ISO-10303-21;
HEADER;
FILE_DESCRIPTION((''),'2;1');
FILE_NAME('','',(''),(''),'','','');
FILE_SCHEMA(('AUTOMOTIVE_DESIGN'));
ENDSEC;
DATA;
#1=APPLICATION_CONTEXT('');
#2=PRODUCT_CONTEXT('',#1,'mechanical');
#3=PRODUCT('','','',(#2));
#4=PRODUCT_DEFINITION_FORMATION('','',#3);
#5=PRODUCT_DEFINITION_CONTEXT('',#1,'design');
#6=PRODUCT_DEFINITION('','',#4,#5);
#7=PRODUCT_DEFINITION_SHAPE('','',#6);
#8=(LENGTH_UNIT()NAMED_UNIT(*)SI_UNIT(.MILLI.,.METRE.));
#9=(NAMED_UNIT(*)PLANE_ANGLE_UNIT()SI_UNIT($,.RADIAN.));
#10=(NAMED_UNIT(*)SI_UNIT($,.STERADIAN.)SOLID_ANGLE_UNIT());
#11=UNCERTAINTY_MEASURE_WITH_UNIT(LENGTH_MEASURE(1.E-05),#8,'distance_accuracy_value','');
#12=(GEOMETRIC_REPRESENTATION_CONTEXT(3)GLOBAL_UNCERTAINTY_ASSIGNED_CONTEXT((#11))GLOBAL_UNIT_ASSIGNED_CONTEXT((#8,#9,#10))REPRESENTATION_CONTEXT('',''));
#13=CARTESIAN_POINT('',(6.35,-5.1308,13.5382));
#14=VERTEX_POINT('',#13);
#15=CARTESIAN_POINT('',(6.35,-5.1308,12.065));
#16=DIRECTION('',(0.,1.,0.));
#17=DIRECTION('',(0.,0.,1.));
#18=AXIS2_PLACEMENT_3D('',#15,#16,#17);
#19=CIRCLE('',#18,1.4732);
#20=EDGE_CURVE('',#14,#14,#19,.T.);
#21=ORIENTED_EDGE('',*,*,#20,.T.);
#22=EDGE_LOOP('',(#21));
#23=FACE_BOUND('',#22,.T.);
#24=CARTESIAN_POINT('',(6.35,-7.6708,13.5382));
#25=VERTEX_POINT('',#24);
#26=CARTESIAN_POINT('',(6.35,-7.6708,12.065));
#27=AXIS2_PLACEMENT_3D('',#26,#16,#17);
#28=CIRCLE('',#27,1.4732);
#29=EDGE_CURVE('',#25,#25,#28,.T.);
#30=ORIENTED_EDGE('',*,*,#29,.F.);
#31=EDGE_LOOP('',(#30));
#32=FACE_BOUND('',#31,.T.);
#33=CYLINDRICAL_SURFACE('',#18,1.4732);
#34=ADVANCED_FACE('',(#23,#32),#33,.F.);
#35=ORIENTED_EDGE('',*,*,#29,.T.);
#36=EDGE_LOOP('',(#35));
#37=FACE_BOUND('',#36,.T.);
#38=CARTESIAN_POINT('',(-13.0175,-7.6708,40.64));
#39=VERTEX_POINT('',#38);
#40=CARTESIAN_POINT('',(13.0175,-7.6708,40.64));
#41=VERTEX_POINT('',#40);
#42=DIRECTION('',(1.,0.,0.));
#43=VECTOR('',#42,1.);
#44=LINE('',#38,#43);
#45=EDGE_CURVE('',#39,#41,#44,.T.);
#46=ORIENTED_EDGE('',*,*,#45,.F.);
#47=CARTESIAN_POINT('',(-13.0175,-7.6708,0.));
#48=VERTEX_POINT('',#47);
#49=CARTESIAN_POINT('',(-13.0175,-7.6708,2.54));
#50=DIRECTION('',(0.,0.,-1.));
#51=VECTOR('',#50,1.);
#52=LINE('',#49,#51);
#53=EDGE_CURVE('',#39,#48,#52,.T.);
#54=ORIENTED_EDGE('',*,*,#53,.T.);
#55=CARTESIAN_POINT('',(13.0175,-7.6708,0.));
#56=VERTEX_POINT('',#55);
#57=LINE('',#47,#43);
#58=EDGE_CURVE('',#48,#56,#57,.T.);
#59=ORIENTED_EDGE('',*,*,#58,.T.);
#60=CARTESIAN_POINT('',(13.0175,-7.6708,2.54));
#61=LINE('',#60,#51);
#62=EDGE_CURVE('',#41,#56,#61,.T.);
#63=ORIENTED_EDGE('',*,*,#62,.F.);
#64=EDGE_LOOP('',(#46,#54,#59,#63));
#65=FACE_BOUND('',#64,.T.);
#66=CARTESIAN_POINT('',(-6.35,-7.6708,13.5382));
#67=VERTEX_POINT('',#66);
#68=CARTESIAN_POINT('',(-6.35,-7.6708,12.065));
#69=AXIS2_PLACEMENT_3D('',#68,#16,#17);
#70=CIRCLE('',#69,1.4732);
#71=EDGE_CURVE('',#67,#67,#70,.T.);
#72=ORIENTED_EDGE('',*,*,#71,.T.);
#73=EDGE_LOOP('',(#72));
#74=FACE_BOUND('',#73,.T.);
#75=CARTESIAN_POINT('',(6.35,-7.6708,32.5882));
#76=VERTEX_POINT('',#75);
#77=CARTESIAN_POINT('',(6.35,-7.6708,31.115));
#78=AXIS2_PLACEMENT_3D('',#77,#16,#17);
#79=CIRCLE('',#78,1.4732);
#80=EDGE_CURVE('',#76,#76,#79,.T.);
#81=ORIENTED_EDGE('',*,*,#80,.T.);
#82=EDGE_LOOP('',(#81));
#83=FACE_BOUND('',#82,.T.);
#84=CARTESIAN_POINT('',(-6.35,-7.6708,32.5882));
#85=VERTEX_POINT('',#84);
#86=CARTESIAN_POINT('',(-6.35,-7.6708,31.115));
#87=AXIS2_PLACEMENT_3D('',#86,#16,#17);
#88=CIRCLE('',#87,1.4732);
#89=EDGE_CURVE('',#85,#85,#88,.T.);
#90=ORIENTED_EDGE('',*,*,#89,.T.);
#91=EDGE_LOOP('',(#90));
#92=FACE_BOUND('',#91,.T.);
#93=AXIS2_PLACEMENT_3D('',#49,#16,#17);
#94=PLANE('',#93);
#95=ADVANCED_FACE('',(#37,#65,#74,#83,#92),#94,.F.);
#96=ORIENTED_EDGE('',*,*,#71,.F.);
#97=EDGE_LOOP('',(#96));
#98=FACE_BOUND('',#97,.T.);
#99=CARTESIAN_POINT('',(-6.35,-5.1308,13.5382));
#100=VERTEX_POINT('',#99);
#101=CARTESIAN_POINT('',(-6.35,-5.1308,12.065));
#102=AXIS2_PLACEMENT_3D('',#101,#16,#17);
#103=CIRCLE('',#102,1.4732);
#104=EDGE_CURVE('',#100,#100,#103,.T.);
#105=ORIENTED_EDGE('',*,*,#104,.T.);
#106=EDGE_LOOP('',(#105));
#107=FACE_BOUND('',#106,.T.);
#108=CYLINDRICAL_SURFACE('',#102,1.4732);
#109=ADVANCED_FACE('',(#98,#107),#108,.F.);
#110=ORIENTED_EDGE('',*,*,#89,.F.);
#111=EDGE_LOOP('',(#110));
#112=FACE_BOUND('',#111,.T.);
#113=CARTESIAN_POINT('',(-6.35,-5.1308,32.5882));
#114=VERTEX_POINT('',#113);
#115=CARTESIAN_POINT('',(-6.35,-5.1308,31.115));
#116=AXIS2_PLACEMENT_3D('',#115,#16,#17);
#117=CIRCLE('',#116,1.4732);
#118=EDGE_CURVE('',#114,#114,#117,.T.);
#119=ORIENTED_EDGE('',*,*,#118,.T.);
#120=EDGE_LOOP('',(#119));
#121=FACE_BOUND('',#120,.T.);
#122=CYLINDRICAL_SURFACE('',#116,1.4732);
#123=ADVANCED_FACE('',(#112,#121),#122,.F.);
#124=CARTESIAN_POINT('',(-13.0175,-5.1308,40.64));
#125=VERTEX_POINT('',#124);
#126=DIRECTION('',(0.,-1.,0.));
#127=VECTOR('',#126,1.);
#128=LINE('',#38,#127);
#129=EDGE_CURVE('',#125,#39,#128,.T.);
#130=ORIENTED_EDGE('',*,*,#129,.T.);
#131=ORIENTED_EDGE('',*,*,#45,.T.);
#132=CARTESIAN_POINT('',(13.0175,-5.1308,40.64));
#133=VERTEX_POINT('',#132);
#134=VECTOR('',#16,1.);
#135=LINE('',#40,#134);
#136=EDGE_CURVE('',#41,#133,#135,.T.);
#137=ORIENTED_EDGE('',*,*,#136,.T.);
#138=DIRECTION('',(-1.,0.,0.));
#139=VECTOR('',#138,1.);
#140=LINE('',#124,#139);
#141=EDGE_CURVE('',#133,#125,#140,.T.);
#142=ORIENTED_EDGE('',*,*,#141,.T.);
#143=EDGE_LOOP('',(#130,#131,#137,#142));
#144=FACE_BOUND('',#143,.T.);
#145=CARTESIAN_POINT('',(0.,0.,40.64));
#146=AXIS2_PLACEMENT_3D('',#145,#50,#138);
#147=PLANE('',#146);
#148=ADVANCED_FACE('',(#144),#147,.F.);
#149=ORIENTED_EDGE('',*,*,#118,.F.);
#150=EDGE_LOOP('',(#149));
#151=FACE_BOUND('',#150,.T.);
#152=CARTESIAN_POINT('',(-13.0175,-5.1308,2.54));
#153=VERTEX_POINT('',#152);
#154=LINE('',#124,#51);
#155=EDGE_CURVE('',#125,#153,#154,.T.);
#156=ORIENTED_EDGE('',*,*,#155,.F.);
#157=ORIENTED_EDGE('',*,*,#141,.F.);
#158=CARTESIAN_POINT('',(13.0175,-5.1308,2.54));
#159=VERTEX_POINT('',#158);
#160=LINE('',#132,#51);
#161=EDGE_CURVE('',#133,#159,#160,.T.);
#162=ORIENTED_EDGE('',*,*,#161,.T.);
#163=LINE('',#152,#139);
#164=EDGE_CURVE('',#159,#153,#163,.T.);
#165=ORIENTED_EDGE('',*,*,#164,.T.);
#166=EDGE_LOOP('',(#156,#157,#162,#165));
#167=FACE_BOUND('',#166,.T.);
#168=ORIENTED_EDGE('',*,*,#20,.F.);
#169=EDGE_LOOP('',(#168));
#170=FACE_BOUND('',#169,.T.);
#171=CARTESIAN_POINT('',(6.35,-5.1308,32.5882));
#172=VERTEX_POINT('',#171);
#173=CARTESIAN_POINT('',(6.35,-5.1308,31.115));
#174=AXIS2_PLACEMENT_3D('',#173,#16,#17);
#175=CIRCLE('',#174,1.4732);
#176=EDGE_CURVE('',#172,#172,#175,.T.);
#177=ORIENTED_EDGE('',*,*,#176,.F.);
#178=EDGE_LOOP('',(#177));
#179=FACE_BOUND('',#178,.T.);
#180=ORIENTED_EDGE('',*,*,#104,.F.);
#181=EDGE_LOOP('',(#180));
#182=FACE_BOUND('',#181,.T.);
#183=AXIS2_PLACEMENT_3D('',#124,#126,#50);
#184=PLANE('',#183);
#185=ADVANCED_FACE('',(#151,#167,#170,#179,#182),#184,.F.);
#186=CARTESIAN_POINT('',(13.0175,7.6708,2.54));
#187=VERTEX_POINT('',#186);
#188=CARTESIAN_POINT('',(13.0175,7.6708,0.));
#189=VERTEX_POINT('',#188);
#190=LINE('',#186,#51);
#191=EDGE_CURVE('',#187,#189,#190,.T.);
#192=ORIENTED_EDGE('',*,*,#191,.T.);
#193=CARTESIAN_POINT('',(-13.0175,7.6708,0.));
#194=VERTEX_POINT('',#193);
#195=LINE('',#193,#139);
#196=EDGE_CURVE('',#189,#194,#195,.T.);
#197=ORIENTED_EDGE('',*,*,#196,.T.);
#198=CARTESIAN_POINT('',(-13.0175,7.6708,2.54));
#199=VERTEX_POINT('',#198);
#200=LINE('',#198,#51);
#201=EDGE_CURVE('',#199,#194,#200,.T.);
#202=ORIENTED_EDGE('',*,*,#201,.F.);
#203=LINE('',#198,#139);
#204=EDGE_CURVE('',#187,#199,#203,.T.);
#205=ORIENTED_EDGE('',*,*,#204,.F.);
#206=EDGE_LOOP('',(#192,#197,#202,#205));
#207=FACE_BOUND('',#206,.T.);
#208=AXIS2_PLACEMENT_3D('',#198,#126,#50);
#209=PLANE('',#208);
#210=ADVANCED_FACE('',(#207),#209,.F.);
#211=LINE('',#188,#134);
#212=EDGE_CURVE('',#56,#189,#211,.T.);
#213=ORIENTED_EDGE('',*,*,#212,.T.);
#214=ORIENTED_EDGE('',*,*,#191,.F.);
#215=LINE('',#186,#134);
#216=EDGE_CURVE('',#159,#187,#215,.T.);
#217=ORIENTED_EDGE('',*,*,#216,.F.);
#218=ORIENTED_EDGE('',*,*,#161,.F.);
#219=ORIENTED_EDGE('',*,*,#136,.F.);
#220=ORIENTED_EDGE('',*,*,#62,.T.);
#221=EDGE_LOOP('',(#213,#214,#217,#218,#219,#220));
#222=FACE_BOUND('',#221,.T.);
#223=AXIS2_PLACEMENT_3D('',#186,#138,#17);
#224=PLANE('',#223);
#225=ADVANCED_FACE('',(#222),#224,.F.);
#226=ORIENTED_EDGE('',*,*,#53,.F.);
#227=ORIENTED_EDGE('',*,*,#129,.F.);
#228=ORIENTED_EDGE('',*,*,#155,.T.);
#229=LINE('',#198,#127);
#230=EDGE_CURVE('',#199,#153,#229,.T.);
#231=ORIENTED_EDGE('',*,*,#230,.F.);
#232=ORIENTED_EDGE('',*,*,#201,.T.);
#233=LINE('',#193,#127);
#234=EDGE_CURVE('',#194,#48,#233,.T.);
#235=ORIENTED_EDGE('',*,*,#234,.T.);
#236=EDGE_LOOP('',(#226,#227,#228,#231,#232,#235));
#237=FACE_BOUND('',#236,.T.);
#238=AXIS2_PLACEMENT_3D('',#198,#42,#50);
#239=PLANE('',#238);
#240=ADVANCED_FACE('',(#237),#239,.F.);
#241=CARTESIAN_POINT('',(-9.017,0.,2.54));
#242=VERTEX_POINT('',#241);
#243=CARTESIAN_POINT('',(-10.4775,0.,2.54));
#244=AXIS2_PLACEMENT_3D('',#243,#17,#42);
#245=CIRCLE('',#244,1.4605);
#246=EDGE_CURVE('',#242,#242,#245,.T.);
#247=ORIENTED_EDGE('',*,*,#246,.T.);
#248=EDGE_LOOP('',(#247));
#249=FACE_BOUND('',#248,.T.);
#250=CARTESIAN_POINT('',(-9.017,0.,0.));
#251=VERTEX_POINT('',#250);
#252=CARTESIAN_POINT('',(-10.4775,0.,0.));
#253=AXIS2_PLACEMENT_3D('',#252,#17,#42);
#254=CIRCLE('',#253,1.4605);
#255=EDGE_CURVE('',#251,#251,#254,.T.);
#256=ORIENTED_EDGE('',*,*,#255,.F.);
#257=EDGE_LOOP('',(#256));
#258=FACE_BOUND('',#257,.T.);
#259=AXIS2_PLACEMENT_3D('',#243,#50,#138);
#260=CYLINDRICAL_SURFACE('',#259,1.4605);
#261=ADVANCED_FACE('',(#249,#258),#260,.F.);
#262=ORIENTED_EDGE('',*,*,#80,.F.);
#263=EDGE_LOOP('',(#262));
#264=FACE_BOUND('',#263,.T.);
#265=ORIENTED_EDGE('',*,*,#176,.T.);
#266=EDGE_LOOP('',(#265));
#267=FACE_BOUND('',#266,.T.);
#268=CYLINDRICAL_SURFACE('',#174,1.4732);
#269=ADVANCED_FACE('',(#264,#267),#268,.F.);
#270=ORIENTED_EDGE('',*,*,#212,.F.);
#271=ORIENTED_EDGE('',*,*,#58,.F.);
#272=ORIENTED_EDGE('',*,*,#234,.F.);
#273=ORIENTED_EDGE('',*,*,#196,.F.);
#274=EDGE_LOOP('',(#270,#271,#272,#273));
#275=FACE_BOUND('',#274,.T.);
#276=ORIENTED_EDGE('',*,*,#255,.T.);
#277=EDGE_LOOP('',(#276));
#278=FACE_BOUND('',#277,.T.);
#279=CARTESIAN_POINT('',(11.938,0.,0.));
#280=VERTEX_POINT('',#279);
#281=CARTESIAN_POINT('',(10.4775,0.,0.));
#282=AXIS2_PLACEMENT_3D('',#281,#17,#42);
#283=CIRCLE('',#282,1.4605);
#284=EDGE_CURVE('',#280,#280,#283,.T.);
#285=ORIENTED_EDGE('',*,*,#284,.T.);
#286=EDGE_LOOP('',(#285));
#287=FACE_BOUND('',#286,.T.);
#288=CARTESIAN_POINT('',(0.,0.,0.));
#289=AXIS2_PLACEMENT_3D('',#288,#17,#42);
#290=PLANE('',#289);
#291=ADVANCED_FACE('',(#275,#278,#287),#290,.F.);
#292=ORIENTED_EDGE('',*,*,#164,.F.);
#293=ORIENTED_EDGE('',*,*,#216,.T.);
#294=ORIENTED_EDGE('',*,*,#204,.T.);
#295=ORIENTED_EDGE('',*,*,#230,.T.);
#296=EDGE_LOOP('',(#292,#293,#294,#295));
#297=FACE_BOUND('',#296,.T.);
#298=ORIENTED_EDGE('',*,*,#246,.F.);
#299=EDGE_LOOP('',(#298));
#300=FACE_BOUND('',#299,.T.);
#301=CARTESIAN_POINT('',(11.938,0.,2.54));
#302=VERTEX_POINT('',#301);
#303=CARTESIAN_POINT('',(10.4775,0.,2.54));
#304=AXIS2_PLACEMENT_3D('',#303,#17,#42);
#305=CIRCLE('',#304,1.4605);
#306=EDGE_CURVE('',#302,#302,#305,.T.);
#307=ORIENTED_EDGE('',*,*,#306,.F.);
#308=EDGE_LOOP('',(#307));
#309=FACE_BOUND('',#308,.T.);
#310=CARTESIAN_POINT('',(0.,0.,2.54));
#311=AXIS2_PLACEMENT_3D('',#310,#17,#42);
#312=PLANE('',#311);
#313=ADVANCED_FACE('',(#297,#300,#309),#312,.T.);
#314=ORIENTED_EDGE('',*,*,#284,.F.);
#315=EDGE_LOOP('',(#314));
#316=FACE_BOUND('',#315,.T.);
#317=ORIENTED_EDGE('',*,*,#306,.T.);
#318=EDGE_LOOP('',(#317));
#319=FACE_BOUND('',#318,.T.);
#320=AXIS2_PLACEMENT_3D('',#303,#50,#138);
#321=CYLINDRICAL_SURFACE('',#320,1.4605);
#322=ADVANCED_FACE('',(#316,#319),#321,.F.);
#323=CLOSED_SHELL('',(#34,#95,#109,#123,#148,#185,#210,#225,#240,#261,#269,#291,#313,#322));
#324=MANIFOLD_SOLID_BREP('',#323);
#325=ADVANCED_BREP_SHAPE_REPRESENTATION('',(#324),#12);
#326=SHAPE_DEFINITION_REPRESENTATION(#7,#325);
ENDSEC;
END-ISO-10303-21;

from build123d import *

# Parameters (mm, degrees)
SKETCH2_W                 = 26.035
SKETCH2_H                 = 15.3416
SKETCH2_R                 = 1.4605
BOSS_EXTRUDE1_DEPTH       = 2.54
SKETCH3_W                 = 26.035
SKETCH3_H                 = 2.54
BOSS_EXTRUDE2_DEPTH       = 38.1
F_4_CLEARANCE_HOLE1_D     = 2.9464
F_4_CLEARANCE_HOLE1_DEPTH = 7.62
F_4_CLEARANCE_HOLE1_TIP   = 0.885187864


with BuildPart() as part:
    # Sketch2 → Boss-Extrude1 (new body)
    with BuildSketch(Plane.XY):
        Rectangle(SKETCH2_W, SKETCH2_H)
        with Locations((-10.4775, 0)):
            Circle(SKETCH2_R, mode=Mode.SUBTRACT)
        with Locations((10.4775, 0)):
            Circle(SKETCH2_R, mode=Mode.SUBTRACT)
    extrude(amount=BOSS_EXTRUDE1_DEPTH)

    # Sketch3 → Boss-Extrude2 (add)
    with BuildSketch(Plane.XY.offset(2.54)):
        with Locations((0, -6.4008)):
            Rectangle(SKETCH3_W, SKETCH3_H)
    extrude(amount=BOSS_EXTRUDE2_DEPTH)

    # #4 Clearance Hole1
    with Locations(Plane(origin=(0, -5.1308, 0), x_dir=(1, 0, 0), z_dir=(0, 1, 0))):
        with Locations((-6.35, -12.065), (6.35, -12.065), (-6.35, -31.115), (6.35, -31.115)):
            Hole(F_4_CLEARANCE_HOLE1_D / 2, depth=F_4_CLEARANCE_HOLE1_DEPTH)
            with Locations((0, 0, -(F_4_CLEARANCE_HOLE1_DEPTH + F_4_CLEARANCE_HOLE1_TIP / 2))):  # 118° drill point
                Cone(0, F_4_CLEARANCE_HOLE1_D / 2, F_4_CLEARANCE_HOLE1_TIP, mode=Mode.SUBTRACT)


solid = part.part
